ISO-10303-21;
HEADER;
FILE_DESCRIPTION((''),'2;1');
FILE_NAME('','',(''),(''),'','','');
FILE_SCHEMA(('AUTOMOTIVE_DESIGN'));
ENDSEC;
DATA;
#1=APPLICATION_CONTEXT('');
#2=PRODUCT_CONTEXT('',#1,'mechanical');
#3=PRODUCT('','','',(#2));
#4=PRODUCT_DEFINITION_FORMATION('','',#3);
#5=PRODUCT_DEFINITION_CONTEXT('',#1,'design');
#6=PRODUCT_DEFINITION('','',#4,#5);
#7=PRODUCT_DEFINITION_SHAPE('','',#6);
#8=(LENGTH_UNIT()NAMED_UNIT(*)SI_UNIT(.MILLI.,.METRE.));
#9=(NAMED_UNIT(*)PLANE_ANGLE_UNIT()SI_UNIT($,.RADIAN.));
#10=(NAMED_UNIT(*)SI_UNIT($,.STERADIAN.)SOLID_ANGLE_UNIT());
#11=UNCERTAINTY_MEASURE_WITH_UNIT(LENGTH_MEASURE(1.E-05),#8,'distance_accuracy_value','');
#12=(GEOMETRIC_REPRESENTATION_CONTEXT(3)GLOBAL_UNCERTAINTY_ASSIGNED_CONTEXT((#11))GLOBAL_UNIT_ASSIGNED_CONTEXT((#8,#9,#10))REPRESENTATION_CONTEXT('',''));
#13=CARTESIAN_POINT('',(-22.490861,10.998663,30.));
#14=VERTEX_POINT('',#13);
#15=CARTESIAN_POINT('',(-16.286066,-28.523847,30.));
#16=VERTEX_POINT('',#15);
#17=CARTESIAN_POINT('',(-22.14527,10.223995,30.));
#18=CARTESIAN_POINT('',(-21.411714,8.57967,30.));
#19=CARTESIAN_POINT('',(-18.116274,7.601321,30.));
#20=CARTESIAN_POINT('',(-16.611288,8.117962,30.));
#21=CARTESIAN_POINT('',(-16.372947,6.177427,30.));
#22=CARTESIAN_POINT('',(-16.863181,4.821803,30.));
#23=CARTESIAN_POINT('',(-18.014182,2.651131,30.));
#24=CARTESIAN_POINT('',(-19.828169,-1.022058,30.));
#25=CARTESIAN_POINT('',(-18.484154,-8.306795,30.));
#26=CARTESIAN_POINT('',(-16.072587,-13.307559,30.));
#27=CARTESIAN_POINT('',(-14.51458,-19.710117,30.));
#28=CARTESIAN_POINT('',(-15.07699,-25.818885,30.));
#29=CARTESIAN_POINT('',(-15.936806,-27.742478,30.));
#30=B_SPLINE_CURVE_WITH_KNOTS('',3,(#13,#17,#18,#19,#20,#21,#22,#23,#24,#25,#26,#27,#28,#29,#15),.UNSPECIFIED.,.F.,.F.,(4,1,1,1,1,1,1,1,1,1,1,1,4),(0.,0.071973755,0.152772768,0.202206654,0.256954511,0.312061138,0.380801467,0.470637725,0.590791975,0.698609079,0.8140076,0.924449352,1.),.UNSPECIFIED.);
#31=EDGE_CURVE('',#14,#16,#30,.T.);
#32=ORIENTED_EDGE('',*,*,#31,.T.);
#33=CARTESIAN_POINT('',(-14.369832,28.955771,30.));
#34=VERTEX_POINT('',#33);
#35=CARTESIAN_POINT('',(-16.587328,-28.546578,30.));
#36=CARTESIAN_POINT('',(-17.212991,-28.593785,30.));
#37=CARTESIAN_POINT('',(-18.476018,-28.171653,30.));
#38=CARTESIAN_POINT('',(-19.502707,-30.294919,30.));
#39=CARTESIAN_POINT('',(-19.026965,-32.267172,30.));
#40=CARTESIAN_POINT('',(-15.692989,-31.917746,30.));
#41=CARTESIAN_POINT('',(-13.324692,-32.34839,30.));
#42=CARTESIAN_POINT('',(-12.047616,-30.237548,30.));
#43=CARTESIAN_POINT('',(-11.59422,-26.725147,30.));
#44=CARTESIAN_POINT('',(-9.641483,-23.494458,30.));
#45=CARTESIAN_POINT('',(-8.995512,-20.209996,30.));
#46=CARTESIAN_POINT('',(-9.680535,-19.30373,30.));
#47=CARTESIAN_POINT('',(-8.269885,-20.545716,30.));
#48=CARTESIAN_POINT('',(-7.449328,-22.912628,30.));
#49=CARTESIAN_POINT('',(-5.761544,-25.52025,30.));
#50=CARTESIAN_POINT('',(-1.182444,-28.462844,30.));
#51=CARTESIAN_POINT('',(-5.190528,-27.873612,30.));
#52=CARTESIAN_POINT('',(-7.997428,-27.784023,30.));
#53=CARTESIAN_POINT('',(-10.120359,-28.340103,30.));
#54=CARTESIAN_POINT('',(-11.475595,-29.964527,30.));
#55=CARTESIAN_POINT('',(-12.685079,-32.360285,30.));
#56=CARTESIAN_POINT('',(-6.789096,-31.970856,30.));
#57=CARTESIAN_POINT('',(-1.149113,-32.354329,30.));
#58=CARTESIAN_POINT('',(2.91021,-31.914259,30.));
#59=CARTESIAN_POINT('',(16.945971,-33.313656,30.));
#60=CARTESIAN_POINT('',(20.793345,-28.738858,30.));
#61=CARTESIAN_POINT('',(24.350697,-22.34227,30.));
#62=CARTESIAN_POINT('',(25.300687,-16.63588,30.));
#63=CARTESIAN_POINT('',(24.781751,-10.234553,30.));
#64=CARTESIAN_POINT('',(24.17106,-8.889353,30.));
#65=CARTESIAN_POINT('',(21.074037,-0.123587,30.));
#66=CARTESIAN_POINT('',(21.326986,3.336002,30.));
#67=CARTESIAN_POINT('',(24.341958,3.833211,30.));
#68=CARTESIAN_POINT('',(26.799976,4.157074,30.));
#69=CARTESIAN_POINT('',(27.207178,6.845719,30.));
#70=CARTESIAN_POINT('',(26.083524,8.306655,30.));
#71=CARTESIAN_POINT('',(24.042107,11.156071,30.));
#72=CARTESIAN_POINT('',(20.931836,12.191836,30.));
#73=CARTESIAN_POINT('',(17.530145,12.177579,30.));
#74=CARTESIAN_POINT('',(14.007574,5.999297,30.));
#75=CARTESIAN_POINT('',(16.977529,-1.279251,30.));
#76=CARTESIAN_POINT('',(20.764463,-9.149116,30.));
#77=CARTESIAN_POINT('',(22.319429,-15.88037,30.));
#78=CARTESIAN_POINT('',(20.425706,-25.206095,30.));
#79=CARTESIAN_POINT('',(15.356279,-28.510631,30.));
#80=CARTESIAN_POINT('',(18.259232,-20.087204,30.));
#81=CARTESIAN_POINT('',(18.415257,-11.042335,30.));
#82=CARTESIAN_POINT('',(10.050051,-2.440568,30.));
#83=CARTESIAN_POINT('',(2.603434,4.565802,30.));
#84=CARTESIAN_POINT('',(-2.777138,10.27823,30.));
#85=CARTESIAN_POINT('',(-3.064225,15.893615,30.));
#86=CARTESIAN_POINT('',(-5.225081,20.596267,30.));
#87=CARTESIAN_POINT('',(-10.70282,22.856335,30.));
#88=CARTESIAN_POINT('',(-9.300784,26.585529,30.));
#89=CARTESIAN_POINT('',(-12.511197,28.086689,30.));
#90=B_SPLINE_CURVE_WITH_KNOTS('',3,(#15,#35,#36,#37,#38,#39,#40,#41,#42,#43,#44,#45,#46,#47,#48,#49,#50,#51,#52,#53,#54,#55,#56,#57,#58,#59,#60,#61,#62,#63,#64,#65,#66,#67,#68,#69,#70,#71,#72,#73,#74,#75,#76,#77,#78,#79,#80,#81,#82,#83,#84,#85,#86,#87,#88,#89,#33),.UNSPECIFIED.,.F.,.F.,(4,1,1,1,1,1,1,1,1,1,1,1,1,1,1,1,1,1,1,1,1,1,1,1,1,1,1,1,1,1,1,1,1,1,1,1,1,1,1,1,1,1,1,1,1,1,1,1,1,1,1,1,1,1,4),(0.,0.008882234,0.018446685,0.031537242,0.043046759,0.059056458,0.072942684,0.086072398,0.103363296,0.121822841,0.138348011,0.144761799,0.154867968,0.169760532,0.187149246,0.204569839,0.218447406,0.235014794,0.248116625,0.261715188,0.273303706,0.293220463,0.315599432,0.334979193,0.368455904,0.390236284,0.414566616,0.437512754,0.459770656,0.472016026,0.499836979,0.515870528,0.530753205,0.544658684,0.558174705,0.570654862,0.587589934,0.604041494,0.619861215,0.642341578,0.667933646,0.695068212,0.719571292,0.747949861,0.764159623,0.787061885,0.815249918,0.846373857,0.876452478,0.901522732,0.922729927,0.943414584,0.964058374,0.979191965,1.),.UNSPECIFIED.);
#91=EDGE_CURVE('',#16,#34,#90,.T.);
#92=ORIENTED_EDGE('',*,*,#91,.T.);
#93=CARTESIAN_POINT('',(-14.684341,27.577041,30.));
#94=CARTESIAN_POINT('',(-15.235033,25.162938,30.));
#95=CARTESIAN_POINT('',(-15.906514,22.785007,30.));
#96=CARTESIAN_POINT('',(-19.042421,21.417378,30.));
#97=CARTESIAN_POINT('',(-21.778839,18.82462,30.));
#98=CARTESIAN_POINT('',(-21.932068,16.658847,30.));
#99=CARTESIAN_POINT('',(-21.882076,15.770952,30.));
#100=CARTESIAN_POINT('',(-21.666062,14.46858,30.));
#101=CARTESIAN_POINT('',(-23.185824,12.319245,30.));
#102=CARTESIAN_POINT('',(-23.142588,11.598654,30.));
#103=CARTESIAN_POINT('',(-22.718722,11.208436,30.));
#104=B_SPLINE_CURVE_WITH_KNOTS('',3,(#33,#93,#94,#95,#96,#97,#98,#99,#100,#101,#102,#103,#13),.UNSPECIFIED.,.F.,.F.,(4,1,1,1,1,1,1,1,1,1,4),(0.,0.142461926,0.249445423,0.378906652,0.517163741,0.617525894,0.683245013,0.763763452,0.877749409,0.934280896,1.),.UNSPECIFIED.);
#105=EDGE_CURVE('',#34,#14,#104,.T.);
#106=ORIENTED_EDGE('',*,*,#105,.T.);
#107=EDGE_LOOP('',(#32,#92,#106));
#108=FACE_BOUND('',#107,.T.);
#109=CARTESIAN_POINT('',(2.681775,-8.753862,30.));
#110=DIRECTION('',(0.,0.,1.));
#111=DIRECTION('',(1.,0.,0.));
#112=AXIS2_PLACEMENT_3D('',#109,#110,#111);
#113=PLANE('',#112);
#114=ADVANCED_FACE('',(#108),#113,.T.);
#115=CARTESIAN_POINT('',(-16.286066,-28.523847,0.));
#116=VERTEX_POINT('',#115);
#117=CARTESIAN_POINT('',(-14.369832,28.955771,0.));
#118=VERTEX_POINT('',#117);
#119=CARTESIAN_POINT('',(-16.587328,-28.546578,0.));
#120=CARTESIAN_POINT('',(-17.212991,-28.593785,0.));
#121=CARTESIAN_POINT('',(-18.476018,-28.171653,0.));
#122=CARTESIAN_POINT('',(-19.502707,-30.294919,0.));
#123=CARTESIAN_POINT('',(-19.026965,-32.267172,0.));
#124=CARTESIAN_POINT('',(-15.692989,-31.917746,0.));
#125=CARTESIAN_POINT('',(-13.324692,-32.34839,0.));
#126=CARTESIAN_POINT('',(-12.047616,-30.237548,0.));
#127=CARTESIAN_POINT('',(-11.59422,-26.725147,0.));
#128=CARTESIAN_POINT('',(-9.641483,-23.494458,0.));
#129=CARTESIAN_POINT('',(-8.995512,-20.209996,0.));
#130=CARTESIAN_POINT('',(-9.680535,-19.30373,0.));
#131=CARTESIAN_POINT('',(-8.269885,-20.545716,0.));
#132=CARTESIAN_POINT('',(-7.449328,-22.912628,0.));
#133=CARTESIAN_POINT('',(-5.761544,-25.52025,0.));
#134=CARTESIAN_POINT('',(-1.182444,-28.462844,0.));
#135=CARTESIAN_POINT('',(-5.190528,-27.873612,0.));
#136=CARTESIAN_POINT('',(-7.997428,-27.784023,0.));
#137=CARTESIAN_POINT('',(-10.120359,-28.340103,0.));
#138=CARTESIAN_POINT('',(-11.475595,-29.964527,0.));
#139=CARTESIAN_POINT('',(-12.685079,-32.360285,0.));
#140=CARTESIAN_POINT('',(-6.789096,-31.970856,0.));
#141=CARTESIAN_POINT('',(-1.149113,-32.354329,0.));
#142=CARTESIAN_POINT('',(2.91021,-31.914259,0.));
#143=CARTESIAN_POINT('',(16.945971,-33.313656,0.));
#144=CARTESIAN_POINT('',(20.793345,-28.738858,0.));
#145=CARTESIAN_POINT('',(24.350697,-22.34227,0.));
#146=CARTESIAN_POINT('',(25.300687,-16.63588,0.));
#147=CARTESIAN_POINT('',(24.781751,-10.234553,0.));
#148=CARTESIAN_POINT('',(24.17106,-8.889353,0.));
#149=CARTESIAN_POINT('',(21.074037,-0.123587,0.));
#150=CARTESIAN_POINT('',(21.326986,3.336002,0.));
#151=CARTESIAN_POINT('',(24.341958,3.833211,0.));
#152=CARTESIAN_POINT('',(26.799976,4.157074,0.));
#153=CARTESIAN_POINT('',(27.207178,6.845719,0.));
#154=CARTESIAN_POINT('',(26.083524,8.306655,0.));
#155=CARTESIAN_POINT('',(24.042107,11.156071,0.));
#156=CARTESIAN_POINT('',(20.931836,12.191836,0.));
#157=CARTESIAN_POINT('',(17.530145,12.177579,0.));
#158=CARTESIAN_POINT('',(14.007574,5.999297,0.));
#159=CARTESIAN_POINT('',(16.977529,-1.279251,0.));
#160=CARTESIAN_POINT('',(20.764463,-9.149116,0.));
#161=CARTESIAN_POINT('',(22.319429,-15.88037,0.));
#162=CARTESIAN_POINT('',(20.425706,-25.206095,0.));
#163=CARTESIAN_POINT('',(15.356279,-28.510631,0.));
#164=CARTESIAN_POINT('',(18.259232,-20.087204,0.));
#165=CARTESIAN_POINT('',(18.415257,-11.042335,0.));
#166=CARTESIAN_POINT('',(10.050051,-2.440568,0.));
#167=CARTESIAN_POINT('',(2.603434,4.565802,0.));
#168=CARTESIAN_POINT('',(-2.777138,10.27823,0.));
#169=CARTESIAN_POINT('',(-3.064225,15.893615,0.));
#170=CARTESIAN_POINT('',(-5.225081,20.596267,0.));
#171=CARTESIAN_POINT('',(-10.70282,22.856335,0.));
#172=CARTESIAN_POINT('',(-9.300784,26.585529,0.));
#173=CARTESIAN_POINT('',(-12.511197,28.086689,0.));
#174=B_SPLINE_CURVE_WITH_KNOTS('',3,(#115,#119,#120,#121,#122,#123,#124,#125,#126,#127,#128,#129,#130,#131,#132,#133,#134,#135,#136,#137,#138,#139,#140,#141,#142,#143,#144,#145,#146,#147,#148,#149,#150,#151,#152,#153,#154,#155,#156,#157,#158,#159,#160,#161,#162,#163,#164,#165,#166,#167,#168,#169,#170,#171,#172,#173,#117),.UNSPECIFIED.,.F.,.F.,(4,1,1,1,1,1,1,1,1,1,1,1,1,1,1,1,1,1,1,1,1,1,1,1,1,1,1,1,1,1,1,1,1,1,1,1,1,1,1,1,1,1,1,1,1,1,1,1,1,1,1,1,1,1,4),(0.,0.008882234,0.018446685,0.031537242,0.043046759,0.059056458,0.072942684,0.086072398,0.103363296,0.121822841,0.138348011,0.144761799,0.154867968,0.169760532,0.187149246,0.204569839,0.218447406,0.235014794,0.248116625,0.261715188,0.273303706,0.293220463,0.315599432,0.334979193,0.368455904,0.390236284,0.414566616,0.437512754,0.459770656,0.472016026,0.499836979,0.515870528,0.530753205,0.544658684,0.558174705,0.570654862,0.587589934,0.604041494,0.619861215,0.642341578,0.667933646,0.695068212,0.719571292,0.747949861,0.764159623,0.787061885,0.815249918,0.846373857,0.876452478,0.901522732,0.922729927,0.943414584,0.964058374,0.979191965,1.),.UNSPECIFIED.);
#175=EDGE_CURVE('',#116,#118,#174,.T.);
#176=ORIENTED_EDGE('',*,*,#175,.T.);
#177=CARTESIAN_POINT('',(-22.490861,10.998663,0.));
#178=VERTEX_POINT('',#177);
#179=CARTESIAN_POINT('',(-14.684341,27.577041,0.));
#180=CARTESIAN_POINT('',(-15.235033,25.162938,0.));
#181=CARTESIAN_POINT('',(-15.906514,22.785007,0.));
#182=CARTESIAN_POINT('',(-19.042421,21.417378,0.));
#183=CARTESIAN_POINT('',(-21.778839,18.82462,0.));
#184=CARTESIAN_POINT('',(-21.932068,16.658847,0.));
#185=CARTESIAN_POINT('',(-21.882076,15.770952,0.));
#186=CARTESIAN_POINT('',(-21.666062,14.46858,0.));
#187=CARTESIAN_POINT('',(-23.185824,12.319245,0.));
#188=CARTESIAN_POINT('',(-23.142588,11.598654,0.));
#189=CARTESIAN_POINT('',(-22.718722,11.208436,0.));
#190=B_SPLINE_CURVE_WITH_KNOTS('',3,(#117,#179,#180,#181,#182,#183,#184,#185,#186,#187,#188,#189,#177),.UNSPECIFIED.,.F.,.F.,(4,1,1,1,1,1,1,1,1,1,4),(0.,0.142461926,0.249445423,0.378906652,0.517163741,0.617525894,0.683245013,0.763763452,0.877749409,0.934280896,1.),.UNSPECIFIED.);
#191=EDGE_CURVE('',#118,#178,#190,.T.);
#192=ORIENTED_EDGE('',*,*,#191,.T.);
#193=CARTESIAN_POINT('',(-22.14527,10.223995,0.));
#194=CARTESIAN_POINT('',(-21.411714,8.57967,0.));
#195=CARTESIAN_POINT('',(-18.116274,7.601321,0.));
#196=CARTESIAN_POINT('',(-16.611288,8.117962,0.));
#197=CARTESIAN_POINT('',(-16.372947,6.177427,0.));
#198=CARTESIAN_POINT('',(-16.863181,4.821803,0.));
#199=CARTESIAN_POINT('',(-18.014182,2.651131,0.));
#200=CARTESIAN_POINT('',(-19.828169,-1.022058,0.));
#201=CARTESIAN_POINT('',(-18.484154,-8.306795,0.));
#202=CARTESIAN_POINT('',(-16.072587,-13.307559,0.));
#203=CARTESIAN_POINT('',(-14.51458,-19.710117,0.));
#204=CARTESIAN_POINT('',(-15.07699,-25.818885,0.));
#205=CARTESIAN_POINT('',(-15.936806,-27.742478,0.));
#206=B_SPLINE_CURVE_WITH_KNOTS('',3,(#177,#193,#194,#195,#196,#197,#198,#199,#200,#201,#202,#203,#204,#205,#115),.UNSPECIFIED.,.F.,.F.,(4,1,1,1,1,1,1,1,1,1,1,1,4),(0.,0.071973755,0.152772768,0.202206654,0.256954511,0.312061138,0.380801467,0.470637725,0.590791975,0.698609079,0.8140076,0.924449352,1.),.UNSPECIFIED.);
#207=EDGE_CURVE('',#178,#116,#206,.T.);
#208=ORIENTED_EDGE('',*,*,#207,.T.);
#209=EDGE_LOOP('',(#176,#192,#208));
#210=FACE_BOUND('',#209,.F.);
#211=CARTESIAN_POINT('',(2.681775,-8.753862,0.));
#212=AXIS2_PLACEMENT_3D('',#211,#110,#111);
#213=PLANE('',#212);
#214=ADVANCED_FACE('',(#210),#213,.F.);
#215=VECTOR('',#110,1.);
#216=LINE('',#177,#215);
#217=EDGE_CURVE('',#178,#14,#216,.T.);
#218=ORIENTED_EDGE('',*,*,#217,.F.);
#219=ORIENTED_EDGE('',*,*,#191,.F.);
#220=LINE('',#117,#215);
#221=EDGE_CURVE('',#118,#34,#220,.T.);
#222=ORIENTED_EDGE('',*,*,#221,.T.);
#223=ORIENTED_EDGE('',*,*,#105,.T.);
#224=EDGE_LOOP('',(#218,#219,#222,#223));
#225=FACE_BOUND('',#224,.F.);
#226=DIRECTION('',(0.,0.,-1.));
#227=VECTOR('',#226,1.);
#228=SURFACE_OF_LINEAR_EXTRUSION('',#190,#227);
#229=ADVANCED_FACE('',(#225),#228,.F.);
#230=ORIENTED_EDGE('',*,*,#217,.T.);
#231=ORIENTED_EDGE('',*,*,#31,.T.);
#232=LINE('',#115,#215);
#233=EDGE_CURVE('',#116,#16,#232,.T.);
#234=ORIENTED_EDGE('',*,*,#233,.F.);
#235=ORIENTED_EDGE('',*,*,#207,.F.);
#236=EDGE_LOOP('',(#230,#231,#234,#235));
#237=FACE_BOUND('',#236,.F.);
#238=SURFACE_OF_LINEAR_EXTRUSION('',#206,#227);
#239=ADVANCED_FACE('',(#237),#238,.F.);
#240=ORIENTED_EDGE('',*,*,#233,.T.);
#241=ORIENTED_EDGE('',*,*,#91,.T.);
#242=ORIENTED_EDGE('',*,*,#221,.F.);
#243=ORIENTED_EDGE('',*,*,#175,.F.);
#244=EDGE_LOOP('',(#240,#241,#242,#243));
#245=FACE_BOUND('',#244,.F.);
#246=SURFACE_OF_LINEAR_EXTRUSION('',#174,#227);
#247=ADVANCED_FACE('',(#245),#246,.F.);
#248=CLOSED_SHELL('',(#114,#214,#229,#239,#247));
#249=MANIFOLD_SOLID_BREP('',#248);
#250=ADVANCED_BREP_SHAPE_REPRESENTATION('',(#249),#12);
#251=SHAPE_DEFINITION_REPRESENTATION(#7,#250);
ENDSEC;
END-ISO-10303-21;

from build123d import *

# Parameters (mm, degrees)
F1_DEPTH = 30


with BuildPart() as f1:
    # F0 (on Top) → F1 (new body)
    with BuildSketch(Plane.XY):
        with BuildLine():
            add(Edge.make_bspline(
                [(-16.286065802, -28.5238474607), (-16.5873279378, -28.5465780149), (-17.2129911939, -28.5937849847), (-18.4760178191, -28.1716531507), (-19.5027068851, -30.2949191077), (-19.026964905, -32.2671724496), (-15.6929889315, -31.9177456821), (-13.3246920769, -32.3483902284), (-12.0476164358, -30.2375481645), (-11.5942195059, -26.725147479), (-9.6414828646, -23.4944579132), (-8.9955121893, -20.2099964069), (-9.6805349176, -19.3037302726), (-8.2698854278, -20.5457159823), (-7.449327594, -22.9126275063), (-5.7615435253, -25.5202501919), (-1.1824444811, -28.4628439657), (-5.1905275337, -27.8736115739), (-7.9974278448, -27.7840230112), (-10.1203590427, -28.3401029775), (-11.4755952193, -29.9645267542), (-12.6850790246, -32.3602848822), (-6.7890964946, -31.9708558972), (-1.1491129723, -32.3543287352), (2.9102096411, -31.9142591336), (16.9459706801, -33.313655722), (20.7933445216, -28.7388576761), (24.3506965075, -22.3422695245), (25.300687147, -16.6358798448), (24.7817511429, -10.234553353), (24.1710602369, -8.8893526028), (21.0740367618, -0.1235874922), (21.3269855139, 3.3360019231), (24.3419582581, 3.8332106199), (26.7999760464, 4.1570739142), (27.2071783553, 6.8457186204), (26.0835237299, 8.3066552345), (24.0421068377, 11.1560711337), (20.9318360317, 12.1918363138), (17.530145363, 12.1775790477), (14.0075742801, 5.9992969615), (16.9775292936, -1.2792509552), (20.7644631224, -9.1491155111), (22.319428874, -15.8803696412), (20.4257064071, -25.2060948935), (15.3562794016, -28.5106311969), (18.2592322647, -20.0872038844), (18.4152573772, -11.0423349639), (10.0500507875, -2.4405678019), (2.603433764, 4.5658019516), (-2.7771382497, 10.2782295296), (-3.0642254461, 15.8936147578), (-5.2250812913, 20.5962667455), (-10.7028201896, 22.8563348241), (-9.3007836757, 26.5855286951), (-12.511196752, 28.0866892231), (-14.3698323518, 28.9557706565)],
                knots=[0, 0, 0, 0, 0.0088822344, 0.0184466849, 0.031537242, 0.0430467589, 0.0590564579, 0.0729426838, 0.0860723982, 0.103363296, 0.1218228409, 0.1383480114, 0.1447617989, 0.1548679676, 0.1697605317, 0.1871492456, 0.2045698391, 0.2184474064, 0.235014794, 0.2481166247, 0.2617151876, 0.2733037059, 0.2932204633, 0.3155994325, 0.3349791928, 0.3684559036, 0.3902362841, 0.4145666156, 0.4375127538, 0.4597706555, 0.4720160256, 0.4998369792, 0.5158705278, 0.5307532048, 0.5446586843, 0.5581747054, 0.5706548624, 0.5875899342, 0.604041494, 0.6198612151, 0.6423415776, 0.6679336464, 0.6950682119, 0.7195712918, 0.7479498607, 0.7641596229, 0.787061885, 0.8152499182, 0.846373857, 0.8764524777, 0.9015227318, 0.9227299274, 0.943414584, 0.9640583736, 0.9791919654, 1, 1, 1, 1], degree=3))
            add(Edge.make_bspline(
                [(-14.3698323518, 28.9557706565), (-14.6843406167, 27.5770411286), (-15.2350326484, 25.1629380683), (-15.9065138437, 22.7850066253), (-19.042421177, 21.4173777838), (-21.7788388439, 18.8246198653), (-21.9320675144, 16.6588469899), (-21.8820761442, 15.770952446), (-21.6660619381, 14.4685804008), (-23.1858243347, 12.3192446244), (-23.1425877478, 11.5986538249), (-22.718721587, 11.2084357491), (-22.4908608943, 10.9986634925)],
                knots=[0, 0, 0, 0, 0.1424619257, 0.2494454234, 0.3789066518, 0.5171637406, 0.6175258936, 0.6832450127, 0.763763452, 0.8777494091, 0.934280896, 1, 1, 1, 1], degree=3))
            add(Edge.make_bspline(
                [(-22.4908608943, 10.9986634925), (-22.145270427, 10.2239951405), (-21.4117139766, 8.5796703684), (-18.1162739104, 7.601321453), (-16.6112884347, 8.1179621682), (-16.3729469748, 6.1774272733), (-16.8631808668, 4.821802901), (-18.0141817829, 2.6511305982), (-19.8281693323, -1.0220583276), (-18.484153832, -8.306794904), (-16.0725867604, -13.3075592569), (-14.5145798655, -19.7101168059), (-15.0769903732, -25.8188849197), (-15.936806155, -27.7424782925), (-16.286065802, -28.5238474607)],
                knots=[0, 0, 0, 0, 0.0719737549, 0.1527727677, 0.2022066539, 0.2569545106, 0.312061138, 0.3808014675, 0.4706377255, 0.5907919752, 0.6986090793, 0.8140076005, 0.9244493516, 1, 1, 1, 1], degree=3))
        make_face()
    extrude(amount=F1_DEPTH)


solid = f1.part
